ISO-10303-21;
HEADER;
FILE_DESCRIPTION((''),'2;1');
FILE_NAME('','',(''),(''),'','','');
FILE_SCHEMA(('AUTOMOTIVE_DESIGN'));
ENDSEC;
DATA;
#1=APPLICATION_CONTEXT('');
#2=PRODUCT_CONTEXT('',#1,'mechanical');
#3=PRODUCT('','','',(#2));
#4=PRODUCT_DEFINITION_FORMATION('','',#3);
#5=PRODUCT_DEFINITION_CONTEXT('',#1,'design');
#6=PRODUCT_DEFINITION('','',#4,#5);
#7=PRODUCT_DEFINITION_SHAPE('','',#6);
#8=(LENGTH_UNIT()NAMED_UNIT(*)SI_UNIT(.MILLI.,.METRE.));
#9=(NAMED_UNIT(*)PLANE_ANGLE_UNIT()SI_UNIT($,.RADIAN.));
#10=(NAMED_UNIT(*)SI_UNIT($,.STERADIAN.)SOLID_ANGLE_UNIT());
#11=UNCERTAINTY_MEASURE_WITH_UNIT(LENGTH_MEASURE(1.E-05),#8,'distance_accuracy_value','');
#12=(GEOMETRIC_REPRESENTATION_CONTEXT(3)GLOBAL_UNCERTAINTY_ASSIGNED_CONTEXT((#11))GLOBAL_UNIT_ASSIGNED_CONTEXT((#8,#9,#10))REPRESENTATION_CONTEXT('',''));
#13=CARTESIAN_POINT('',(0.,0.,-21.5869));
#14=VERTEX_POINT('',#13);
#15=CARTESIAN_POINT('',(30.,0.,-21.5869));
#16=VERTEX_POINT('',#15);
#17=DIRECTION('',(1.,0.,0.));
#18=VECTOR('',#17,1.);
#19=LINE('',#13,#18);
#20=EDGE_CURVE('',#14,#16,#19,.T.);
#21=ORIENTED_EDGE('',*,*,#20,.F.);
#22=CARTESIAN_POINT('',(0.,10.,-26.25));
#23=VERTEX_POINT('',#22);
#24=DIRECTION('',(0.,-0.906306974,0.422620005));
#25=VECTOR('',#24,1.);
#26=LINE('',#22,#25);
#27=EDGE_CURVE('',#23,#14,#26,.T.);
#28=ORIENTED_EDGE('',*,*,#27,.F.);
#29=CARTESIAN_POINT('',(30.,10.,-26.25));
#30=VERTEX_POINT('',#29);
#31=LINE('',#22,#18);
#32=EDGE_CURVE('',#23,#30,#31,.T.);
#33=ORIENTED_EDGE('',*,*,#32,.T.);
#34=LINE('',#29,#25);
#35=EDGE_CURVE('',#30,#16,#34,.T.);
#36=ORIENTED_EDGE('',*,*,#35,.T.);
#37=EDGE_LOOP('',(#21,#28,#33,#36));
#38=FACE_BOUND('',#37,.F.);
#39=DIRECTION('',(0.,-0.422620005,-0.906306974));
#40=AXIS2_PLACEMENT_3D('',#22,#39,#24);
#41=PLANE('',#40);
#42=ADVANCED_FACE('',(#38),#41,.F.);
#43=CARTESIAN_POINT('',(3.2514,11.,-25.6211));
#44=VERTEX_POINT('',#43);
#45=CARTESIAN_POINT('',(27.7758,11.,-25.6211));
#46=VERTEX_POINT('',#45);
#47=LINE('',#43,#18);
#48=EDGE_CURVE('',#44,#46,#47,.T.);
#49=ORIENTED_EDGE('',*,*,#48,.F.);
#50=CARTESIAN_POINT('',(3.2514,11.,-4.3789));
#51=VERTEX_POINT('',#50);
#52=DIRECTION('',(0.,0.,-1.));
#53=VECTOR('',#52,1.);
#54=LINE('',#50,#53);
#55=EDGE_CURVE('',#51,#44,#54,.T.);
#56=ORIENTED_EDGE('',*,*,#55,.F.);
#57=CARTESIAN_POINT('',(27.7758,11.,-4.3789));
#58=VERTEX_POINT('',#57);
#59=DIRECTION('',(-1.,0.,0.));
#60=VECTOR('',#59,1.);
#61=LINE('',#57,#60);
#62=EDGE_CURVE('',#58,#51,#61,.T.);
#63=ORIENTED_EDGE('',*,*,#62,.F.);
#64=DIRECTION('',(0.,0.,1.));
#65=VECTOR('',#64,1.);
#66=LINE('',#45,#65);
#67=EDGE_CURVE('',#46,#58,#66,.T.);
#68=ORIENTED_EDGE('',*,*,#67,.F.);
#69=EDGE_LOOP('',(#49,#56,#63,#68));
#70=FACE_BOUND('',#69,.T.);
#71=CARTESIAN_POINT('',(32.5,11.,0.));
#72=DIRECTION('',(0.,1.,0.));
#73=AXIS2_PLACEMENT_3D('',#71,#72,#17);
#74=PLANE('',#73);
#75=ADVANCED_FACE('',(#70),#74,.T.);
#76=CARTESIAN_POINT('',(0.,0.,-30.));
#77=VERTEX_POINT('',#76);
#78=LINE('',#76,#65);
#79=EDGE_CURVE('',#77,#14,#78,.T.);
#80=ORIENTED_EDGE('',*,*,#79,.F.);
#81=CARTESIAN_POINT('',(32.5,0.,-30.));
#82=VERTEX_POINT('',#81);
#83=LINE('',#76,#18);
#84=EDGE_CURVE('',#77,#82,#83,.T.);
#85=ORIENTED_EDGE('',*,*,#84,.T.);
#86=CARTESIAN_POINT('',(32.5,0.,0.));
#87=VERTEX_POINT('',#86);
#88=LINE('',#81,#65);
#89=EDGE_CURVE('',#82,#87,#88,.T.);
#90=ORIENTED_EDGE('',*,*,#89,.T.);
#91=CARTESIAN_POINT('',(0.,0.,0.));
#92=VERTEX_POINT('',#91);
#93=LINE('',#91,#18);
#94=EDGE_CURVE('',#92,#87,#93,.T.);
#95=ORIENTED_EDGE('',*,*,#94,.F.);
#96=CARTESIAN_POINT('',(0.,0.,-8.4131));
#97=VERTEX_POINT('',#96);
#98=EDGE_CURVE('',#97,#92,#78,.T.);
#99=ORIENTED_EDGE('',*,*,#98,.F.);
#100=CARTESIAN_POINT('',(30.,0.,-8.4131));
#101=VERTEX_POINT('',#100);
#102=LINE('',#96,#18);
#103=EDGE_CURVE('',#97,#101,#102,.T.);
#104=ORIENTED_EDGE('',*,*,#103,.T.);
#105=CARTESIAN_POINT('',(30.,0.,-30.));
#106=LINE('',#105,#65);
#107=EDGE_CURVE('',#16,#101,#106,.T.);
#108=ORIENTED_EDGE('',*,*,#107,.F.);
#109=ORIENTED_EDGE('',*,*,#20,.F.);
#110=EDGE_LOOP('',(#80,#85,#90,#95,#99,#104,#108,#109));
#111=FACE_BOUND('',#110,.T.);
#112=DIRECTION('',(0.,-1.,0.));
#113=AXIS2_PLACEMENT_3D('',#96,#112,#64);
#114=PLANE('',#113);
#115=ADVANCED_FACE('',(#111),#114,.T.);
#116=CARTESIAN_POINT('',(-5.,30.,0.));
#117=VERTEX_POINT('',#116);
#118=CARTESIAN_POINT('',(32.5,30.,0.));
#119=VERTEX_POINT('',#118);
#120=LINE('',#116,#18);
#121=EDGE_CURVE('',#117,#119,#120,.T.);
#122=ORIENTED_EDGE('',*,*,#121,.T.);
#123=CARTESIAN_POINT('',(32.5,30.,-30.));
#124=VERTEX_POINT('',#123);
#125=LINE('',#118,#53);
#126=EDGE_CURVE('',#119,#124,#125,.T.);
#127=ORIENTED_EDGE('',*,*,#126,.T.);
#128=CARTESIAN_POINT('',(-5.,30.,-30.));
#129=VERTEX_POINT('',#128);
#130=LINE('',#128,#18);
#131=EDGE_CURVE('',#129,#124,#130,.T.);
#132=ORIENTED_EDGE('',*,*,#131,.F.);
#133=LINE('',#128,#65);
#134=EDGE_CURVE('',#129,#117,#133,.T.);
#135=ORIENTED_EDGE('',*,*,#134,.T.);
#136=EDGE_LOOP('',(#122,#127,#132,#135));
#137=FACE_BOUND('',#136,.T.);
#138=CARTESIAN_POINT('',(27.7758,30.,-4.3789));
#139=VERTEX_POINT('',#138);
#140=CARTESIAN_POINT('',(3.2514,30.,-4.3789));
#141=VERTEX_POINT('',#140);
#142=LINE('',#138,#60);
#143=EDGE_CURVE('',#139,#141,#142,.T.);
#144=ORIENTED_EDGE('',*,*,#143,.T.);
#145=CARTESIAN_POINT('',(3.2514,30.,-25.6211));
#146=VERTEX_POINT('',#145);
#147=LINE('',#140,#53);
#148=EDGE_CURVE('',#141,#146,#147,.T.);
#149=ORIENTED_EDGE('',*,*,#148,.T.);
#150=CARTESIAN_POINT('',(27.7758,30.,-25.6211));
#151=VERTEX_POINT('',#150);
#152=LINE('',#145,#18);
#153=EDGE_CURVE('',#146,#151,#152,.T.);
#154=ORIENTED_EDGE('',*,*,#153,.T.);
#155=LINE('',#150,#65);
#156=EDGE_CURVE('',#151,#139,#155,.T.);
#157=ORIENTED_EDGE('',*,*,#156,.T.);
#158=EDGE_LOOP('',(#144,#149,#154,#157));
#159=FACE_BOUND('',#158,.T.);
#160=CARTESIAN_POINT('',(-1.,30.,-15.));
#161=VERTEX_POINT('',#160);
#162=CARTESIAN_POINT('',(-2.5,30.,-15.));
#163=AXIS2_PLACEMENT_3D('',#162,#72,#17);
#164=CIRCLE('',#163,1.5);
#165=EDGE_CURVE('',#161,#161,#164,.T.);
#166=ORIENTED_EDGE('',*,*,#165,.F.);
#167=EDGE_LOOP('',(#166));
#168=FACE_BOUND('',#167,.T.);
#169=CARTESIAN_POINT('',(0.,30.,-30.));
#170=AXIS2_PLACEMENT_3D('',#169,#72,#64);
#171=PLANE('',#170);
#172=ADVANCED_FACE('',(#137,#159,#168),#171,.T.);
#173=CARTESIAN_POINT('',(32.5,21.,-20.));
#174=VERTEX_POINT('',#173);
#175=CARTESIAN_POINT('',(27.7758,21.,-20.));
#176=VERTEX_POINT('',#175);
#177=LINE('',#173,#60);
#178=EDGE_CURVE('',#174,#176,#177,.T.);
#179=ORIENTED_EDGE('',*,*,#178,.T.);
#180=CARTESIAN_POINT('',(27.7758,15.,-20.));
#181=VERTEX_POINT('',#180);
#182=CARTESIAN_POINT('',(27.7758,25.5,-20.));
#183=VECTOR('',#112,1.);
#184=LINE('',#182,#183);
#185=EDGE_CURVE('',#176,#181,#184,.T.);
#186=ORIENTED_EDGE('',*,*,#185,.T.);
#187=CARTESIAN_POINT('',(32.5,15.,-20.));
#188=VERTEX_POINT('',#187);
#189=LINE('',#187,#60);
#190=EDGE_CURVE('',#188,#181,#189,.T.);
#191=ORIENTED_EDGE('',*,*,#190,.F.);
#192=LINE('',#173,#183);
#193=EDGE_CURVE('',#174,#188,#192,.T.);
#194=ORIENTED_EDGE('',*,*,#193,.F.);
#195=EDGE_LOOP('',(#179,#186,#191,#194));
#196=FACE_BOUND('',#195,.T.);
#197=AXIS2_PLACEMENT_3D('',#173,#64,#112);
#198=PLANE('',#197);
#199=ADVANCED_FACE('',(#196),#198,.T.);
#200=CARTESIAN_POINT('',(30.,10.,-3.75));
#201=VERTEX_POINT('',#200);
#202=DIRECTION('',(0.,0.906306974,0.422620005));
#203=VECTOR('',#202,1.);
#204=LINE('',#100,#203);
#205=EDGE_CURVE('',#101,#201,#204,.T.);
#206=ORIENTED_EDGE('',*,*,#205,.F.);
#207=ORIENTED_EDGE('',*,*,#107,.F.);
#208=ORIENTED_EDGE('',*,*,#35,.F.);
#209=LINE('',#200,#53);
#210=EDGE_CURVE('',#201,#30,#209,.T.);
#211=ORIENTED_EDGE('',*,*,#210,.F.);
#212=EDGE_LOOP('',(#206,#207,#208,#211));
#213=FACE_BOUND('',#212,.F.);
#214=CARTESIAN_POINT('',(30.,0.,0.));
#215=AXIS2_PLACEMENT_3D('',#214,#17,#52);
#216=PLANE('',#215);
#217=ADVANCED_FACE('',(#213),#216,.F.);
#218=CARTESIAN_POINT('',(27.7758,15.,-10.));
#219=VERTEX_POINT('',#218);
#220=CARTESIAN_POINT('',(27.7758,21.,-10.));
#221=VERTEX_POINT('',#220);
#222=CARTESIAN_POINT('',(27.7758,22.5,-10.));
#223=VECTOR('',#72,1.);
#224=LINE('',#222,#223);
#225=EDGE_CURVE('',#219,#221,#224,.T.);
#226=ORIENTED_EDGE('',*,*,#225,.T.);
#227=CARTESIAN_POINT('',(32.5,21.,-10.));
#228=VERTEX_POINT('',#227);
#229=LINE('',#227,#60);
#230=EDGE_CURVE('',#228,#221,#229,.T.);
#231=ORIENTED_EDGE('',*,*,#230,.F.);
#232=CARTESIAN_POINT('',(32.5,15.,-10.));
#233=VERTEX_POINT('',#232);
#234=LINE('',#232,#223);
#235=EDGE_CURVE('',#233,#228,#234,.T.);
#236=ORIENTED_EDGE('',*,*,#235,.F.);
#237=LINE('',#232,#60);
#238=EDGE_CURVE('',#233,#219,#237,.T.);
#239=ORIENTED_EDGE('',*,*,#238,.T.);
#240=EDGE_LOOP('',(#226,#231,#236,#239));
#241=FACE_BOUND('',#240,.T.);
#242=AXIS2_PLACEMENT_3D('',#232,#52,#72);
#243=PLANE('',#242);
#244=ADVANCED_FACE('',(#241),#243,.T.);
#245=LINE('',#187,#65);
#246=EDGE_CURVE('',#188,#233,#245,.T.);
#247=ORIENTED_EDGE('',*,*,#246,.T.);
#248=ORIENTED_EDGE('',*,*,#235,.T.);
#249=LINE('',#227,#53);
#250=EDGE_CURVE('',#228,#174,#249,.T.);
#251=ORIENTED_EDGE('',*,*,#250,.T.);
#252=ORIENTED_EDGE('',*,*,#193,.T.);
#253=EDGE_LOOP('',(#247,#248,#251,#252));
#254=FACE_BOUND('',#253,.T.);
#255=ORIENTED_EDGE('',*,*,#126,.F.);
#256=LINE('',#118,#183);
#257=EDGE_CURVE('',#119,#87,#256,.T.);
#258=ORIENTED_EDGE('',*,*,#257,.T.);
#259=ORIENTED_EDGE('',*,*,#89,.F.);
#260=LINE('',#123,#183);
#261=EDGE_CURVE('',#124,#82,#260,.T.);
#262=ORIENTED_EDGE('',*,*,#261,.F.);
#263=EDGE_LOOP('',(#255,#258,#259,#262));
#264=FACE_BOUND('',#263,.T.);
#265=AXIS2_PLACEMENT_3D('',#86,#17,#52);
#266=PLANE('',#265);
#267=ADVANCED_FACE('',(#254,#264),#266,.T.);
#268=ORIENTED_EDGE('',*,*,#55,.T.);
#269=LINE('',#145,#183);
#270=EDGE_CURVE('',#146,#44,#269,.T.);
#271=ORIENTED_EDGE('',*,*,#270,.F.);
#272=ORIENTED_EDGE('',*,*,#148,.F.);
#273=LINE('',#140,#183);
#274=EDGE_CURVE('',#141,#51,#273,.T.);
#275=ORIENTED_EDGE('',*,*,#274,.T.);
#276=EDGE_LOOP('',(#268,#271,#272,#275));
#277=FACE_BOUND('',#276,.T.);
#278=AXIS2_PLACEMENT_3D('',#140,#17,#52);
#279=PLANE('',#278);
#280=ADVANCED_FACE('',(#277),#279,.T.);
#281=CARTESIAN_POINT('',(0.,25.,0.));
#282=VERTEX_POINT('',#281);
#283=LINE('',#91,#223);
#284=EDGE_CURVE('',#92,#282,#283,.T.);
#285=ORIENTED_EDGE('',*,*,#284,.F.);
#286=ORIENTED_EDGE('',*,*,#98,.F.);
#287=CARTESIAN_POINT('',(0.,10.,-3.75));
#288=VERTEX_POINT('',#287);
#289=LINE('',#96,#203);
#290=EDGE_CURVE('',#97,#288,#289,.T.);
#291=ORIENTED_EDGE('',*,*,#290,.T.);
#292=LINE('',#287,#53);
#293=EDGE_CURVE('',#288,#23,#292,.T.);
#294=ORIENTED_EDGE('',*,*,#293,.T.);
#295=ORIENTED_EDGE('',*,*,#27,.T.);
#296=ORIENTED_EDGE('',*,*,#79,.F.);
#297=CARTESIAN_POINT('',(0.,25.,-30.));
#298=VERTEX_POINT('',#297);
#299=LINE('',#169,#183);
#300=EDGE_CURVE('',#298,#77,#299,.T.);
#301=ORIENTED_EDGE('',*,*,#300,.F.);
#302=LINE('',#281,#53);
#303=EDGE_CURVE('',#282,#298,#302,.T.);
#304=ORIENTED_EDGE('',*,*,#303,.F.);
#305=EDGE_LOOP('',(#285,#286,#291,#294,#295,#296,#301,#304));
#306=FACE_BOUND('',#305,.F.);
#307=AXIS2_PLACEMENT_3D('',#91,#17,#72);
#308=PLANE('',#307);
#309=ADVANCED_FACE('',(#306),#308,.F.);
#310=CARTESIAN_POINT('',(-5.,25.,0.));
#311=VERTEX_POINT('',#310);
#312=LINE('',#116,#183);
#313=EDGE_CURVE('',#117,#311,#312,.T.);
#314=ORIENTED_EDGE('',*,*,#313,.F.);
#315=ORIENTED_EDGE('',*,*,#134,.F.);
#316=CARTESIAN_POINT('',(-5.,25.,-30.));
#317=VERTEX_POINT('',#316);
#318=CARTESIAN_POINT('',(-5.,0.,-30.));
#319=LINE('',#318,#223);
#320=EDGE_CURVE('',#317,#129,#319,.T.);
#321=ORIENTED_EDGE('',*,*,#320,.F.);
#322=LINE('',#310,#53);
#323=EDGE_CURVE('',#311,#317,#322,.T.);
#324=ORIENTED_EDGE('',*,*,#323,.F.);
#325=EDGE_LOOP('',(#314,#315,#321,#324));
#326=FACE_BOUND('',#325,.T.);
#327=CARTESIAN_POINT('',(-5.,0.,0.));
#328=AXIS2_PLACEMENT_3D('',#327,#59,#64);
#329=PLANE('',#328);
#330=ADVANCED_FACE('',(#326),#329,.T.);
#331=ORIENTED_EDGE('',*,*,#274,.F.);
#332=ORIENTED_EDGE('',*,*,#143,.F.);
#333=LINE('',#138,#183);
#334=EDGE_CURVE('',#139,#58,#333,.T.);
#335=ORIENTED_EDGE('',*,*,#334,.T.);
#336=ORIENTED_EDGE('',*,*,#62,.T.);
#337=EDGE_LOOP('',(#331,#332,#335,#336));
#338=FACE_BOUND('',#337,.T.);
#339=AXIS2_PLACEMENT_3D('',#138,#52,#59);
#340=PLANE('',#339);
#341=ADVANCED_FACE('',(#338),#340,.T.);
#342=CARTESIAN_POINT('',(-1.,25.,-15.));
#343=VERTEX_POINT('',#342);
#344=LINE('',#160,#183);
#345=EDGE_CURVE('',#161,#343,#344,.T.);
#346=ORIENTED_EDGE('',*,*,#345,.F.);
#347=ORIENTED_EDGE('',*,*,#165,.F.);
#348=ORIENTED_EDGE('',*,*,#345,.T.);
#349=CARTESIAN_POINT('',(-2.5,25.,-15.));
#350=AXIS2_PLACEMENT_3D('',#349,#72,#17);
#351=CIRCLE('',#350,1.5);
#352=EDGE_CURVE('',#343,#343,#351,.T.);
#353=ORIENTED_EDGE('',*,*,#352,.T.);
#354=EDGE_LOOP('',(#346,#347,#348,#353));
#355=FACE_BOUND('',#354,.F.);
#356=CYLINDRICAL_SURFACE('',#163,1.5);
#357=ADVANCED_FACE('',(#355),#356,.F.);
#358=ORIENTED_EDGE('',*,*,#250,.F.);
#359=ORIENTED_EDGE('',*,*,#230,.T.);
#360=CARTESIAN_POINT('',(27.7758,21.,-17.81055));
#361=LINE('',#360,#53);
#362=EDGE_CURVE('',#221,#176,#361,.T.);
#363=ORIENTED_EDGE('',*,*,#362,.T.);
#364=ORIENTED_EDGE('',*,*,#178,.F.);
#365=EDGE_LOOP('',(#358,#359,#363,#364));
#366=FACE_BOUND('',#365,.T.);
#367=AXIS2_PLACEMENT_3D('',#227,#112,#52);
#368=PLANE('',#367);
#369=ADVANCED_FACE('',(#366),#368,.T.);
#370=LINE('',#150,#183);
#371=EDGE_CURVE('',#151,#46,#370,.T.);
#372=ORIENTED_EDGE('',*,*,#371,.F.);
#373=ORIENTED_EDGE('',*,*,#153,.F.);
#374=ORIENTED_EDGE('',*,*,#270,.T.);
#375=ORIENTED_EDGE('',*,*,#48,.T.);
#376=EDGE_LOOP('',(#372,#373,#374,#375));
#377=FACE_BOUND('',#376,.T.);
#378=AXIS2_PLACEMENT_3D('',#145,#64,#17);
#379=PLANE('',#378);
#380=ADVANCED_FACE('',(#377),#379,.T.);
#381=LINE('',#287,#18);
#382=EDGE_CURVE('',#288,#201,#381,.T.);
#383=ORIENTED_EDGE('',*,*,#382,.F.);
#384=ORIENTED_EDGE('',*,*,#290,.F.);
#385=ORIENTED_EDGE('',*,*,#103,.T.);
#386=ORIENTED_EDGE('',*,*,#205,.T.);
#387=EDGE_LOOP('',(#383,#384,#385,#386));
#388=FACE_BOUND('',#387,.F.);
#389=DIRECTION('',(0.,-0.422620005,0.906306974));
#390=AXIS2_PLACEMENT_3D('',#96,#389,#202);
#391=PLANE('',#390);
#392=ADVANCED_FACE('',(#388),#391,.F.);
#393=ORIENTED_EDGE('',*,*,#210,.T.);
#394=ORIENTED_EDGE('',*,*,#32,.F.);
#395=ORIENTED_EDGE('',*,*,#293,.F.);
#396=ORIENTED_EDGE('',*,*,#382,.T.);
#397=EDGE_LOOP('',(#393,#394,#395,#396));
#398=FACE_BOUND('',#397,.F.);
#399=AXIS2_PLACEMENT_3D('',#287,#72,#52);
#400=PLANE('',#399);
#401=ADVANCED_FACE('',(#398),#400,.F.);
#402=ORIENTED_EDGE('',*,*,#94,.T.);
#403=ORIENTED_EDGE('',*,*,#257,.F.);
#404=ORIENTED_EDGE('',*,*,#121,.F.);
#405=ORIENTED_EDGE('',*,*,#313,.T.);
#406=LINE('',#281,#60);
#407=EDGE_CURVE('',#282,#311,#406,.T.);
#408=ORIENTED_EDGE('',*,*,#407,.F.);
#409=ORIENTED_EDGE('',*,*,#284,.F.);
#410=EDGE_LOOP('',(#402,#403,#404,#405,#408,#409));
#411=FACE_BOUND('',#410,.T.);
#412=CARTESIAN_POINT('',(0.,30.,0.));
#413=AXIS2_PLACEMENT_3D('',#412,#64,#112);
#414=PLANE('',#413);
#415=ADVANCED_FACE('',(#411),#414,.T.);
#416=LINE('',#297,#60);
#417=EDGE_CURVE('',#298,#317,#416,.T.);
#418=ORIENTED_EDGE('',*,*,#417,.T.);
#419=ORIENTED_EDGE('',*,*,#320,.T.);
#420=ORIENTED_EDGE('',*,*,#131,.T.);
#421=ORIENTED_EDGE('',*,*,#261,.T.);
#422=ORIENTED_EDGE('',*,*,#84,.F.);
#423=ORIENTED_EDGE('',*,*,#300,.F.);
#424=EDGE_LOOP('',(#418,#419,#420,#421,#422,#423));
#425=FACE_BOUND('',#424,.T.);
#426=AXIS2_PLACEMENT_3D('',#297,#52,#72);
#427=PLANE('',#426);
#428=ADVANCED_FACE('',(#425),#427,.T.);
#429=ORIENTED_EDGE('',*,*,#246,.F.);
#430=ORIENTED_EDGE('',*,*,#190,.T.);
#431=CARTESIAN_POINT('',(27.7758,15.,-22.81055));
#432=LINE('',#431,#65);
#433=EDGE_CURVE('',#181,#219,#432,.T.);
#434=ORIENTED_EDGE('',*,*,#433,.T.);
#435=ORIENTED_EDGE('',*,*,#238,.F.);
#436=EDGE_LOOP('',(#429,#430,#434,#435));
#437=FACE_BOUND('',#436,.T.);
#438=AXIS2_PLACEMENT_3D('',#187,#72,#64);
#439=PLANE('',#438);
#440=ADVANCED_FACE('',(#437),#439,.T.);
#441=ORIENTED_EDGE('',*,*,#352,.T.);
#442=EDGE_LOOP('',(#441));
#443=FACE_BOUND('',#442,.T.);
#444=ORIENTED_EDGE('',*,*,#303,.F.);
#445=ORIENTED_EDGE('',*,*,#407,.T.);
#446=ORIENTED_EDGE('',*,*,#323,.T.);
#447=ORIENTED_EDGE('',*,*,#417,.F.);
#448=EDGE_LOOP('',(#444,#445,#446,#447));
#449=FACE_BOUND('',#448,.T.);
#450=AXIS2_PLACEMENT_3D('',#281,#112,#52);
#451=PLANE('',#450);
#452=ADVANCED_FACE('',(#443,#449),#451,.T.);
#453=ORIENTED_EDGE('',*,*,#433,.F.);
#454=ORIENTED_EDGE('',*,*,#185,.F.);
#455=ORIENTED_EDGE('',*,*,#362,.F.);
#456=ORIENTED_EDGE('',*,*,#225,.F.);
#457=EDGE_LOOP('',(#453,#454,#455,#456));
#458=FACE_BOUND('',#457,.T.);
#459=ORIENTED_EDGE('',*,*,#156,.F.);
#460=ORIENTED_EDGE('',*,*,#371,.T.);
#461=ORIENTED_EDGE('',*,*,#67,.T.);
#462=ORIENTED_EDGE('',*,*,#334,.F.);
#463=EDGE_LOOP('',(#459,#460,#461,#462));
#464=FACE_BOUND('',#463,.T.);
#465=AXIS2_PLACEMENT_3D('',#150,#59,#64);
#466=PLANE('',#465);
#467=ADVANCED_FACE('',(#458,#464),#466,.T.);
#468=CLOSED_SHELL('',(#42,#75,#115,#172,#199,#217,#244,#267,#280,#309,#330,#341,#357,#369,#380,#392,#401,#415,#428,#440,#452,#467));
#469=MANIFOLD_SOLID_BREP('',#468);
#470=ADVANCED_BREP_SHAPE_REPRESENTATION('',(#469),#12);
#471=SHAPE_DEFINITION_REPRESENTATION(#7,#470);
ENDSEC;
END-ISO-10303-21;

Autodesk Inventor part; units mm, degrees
ref_plane "YZ Plane" through (0, 0, 0) normal (1, 0, 0) x (0, 1, 0)
ref_plane "XZ Plane" through (0, 0, 0) normal (0, 1, 0) x (-1, 0, 0)
ref_plane "XY Plane" through (0, 0, 0) normal (0, 0, 1) x (1, 0, 0)
sketch "Sketch1" plane through (0, 0, 0) normal (1, 0, 0) x (0, 1, 0)
  line L0 (0, 0) -> (30, 0)
  line L1 (30, 0) -> (30, -30)
  line L2 (30, -30) -> (0, -30)
  line L3 (0, -30) -> (0, 0)
  line L4 (0, -8.4131) -> (10, -3.75)
  line L5 (10, -3.75) -> (10, -26.25)
  line L6 (10, -26.25) -> (0, -21.5869)
  point P0 (10, -15)
  point P1 (0, -15)
  dimension "d0" = 30
  dimension "d1" = 30
  dimension "d2" = 10
  dimension "d3" = 22.5
  dimension "d4" = 65
  dimension "d5" = 65
extrude "Extrusion1" add sketch "Sketch1" along normal blind 30 contours L0 L1 L2 L3 L6 L5 L4
sketch "Sketch2" plane through (30, 0, 0) normal (1, 0, 0) x (0, 0, -1)
  line L0 (0, 30) -> (0, 0) projected
  line L1 (21.5869, 0) -> (30, 0) projected
  line L2 (0, 30) -> (30, 30)
  line L3 (30, 30) -> (30, 0)
  line L4 (30, 0) -> (0, 0)
  line L5 (0, 0) -> (0, 30)
  point P0 (21.5869, 0)
extrude "Extrusion2" add sketch "Sketch2" along normal blind 2.5
sketch "Sketch3" plane through (0, 0, 0) normal (-1, 0, 0) x (0, 0, 1)
  line L0 (-30, 0) -> (-30, 30) projected
  line L1 (0, 30) -> (0, 0) projected
  line L2 (-30, 30) -> (0, 30)
  line L3 (0, 30) -> (0, 25)
  line L4 (0, 25) -> (-30, 25)
  line L5 (-30, 25) -> (-30, 30)
  point P0 (0, 30)
  dimension "d10" = 5
extrude "Extrusion3" add sketch "Sketch3" along normal blind 5
sketch "Sketch4" plane through (32.5, 30, 0) normal (0, 1, 0) x (1, 0, 0)
  line L0 (-32.5, 0) -> (-37.5, 0) projected
  line L1 (-32.5, 0) -> (-32.5, 30) construction
  circle A0 centre (-35, 15) radius 1.5
  dimension "d13" = 3
extrude "Extrusion4" cut sketch "Sketch4" against normal through all
sketch "Sketch5" plane through (32.5, 30, 0) normal (0, 1, 0) x (1, 0, 0)
  line L0 (-29.2486, 25.6211) -> (-4.7242, 25.6211)
  line L1 (-4.7242, 25.6211) -> (-4.7242, 4.3789)
  line L2 (-4.7242, 4.3789) -> (-29.2486, 4.3789)
  line L3 (-29.2486, 4.3789) -> (-29.2486, 25.6211)
  line L4 (0, 30) -> (0, 0) projected
  point P0 (-32.5, 0)
  point P1 (0, 15)
  point P2 (-4.7242, 15)
  point P3 (0, 15)
extrude "Extrusion5" cut sketch "Sketch5" against normal blind 19
sketch "Sketch6" plane through (32.5, 0, 0) normal (1, 0, 0) x (0, 0, -1)
  line L0 (25.6211, 11) -> (4.3789, 11) projected
  line L1 (10, 21) -> (20, 21)
  line L2 (20, 21) -> (20, 15)
  line L3 (20, 15) -> (10, 15)
  line L4 (10, 15) -> (10, 21)
  point P0 (0, 0)
  point P1 (15, 15)
  point P2 (15, 11)
  dimension "d18" = 10
  dimension "d19" = 6
  dimension "d20" = 4
extrude "Extrusion6" cut sketch "Sketch6" against normal up to next
properties part number "Top Sensor Mount"
